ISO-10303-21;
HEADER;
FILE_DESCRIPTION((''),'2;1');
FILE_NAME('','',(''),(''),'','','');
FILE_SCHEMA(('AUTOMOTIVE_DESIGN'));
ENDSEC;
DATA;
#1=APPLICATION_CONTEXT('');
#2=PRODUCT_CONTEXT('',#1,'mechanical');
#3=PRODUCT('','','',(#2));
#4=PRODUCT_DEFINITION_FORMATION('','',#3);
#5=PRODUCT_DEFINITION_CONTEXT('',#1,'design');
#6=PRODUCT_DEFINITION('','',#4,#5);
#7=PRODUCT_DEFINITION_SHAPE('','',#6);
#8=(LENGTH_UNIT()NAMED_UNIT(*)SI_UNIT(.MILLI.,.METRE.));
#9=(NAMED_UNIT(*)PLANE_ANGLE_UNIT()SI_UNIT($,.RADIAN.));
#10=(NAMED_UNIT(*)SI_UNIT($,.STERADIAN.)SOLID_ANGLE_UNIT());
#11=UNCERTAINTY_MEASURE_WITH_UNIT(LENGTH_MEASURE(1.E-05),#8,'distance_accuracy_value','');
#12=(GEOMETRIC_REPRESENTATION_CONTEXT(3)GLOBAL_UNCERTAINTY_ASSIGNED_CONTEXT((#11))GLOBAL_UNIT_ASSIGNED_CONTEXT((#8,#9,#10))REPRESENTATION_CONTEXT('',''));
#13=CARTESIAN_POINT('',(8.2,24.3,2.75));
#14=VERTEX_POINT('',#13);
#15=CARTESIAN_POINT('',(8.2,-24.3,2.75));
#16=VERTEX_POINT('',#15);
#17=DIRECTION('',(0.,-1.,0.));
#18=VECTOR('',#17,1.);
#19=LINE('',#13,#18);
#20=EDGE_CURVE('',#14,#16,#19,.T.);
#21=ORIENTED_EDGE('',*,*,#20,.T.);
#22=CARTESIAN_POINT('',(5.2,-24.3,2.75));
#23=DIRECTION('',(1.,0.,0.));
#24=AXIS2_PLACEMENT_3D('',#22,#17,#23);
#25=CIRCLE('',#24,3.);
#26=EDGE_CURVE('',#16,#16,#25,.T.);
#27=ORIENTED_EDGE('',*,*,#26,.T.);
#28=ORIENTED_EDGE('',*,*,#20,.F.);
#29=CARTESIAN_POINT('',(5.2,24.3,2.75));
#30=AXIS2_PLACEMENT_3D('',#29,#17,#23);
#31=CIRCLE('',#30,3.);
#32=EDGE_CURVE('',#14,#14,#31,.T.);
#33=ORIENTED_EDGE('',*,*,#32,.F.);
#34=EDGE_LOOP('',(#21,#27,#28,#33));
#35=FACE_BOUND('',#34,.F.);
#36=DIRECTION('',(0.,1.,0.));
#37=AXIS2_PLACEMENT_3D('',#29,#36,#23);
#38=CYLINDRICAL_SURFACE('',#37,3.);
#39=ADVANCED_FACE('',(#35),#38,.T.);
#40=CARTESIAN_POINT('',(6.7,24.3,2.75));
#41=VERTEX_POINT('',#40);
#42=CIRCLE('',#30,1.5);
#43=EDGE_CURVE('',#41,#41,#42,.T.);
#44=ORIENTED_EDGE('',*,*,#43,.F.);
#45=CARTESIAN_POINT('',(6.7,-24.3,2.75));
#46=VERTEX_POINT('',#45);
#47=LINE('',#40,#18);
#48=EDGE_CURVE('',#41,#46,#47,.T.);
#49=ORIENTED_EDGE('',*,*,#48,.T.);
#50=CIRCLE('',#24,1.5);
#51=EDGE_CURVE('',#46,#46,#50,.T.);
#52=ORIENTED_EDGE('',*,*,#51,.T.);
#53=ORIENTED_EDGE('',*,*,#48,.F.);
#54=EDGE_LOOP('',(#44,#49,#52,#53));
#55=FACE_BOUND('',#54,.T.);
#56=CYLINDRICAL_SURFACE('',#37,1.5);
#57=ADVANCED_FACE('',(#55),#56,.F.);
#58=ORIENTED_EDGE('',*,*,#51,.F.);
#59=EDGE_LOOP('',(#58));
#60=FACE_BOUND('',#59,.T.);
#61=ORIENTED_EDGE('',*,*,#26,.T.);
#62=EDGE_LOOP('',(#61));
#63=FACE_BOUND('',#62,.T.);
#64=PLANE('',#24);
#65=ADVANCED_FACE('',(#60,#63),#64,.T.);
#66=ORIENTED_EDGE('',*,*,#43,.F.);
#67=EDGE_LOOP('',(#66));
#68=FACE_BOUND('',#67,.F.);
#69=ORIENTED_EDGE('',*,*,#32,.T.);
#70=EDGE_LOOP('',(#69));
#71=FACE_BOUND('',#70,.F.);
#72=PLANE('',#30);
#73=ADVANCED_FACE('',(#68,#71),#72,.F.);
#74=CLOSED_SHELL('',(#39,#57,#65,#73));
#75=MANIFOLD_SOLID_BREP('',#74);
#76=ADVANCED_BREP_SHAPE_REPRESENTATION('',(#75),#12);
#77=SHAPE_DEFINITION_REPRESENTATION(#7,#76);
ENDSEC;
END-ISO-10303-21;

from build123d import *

# Parameters (mm, degrees)
CYLINDER002_R     = 1.5
CYLINDER002_DEPTH = 48.6
CYLINDER001_R     = 3
CYLINDER001_DEPTH = 48.6


with BuildPart() as cylinder002:
    # Cylinder002 → Cylinder002 (new body)
    with BuildSketch(Plane(origin=(5.2, 24.3, 2.75), x_dir=(1, 0, 0), z_dir=(0, -1, 0))):
        Circle(CYLINDER002_R)
    extrude(amount=CYLINDER002_DEPTH)


with BuildPart() as cut005:
    # Cylinder001 → Cylinder001 (new body)
    with BuildSketch(Plane(origin=(5.2, 24.3, 2.75), x_dir=(1, 0, 0), z_dir=(0, -1, 0))):
        Circle(CYLINDER001_R)
    extrude(amount=CYLINDER001_DEPTH)

    # Cut005: cut Cylinder002
    add(cylinder002.part, mode=Mode.SUBTRACT)


solid = cut005.part
